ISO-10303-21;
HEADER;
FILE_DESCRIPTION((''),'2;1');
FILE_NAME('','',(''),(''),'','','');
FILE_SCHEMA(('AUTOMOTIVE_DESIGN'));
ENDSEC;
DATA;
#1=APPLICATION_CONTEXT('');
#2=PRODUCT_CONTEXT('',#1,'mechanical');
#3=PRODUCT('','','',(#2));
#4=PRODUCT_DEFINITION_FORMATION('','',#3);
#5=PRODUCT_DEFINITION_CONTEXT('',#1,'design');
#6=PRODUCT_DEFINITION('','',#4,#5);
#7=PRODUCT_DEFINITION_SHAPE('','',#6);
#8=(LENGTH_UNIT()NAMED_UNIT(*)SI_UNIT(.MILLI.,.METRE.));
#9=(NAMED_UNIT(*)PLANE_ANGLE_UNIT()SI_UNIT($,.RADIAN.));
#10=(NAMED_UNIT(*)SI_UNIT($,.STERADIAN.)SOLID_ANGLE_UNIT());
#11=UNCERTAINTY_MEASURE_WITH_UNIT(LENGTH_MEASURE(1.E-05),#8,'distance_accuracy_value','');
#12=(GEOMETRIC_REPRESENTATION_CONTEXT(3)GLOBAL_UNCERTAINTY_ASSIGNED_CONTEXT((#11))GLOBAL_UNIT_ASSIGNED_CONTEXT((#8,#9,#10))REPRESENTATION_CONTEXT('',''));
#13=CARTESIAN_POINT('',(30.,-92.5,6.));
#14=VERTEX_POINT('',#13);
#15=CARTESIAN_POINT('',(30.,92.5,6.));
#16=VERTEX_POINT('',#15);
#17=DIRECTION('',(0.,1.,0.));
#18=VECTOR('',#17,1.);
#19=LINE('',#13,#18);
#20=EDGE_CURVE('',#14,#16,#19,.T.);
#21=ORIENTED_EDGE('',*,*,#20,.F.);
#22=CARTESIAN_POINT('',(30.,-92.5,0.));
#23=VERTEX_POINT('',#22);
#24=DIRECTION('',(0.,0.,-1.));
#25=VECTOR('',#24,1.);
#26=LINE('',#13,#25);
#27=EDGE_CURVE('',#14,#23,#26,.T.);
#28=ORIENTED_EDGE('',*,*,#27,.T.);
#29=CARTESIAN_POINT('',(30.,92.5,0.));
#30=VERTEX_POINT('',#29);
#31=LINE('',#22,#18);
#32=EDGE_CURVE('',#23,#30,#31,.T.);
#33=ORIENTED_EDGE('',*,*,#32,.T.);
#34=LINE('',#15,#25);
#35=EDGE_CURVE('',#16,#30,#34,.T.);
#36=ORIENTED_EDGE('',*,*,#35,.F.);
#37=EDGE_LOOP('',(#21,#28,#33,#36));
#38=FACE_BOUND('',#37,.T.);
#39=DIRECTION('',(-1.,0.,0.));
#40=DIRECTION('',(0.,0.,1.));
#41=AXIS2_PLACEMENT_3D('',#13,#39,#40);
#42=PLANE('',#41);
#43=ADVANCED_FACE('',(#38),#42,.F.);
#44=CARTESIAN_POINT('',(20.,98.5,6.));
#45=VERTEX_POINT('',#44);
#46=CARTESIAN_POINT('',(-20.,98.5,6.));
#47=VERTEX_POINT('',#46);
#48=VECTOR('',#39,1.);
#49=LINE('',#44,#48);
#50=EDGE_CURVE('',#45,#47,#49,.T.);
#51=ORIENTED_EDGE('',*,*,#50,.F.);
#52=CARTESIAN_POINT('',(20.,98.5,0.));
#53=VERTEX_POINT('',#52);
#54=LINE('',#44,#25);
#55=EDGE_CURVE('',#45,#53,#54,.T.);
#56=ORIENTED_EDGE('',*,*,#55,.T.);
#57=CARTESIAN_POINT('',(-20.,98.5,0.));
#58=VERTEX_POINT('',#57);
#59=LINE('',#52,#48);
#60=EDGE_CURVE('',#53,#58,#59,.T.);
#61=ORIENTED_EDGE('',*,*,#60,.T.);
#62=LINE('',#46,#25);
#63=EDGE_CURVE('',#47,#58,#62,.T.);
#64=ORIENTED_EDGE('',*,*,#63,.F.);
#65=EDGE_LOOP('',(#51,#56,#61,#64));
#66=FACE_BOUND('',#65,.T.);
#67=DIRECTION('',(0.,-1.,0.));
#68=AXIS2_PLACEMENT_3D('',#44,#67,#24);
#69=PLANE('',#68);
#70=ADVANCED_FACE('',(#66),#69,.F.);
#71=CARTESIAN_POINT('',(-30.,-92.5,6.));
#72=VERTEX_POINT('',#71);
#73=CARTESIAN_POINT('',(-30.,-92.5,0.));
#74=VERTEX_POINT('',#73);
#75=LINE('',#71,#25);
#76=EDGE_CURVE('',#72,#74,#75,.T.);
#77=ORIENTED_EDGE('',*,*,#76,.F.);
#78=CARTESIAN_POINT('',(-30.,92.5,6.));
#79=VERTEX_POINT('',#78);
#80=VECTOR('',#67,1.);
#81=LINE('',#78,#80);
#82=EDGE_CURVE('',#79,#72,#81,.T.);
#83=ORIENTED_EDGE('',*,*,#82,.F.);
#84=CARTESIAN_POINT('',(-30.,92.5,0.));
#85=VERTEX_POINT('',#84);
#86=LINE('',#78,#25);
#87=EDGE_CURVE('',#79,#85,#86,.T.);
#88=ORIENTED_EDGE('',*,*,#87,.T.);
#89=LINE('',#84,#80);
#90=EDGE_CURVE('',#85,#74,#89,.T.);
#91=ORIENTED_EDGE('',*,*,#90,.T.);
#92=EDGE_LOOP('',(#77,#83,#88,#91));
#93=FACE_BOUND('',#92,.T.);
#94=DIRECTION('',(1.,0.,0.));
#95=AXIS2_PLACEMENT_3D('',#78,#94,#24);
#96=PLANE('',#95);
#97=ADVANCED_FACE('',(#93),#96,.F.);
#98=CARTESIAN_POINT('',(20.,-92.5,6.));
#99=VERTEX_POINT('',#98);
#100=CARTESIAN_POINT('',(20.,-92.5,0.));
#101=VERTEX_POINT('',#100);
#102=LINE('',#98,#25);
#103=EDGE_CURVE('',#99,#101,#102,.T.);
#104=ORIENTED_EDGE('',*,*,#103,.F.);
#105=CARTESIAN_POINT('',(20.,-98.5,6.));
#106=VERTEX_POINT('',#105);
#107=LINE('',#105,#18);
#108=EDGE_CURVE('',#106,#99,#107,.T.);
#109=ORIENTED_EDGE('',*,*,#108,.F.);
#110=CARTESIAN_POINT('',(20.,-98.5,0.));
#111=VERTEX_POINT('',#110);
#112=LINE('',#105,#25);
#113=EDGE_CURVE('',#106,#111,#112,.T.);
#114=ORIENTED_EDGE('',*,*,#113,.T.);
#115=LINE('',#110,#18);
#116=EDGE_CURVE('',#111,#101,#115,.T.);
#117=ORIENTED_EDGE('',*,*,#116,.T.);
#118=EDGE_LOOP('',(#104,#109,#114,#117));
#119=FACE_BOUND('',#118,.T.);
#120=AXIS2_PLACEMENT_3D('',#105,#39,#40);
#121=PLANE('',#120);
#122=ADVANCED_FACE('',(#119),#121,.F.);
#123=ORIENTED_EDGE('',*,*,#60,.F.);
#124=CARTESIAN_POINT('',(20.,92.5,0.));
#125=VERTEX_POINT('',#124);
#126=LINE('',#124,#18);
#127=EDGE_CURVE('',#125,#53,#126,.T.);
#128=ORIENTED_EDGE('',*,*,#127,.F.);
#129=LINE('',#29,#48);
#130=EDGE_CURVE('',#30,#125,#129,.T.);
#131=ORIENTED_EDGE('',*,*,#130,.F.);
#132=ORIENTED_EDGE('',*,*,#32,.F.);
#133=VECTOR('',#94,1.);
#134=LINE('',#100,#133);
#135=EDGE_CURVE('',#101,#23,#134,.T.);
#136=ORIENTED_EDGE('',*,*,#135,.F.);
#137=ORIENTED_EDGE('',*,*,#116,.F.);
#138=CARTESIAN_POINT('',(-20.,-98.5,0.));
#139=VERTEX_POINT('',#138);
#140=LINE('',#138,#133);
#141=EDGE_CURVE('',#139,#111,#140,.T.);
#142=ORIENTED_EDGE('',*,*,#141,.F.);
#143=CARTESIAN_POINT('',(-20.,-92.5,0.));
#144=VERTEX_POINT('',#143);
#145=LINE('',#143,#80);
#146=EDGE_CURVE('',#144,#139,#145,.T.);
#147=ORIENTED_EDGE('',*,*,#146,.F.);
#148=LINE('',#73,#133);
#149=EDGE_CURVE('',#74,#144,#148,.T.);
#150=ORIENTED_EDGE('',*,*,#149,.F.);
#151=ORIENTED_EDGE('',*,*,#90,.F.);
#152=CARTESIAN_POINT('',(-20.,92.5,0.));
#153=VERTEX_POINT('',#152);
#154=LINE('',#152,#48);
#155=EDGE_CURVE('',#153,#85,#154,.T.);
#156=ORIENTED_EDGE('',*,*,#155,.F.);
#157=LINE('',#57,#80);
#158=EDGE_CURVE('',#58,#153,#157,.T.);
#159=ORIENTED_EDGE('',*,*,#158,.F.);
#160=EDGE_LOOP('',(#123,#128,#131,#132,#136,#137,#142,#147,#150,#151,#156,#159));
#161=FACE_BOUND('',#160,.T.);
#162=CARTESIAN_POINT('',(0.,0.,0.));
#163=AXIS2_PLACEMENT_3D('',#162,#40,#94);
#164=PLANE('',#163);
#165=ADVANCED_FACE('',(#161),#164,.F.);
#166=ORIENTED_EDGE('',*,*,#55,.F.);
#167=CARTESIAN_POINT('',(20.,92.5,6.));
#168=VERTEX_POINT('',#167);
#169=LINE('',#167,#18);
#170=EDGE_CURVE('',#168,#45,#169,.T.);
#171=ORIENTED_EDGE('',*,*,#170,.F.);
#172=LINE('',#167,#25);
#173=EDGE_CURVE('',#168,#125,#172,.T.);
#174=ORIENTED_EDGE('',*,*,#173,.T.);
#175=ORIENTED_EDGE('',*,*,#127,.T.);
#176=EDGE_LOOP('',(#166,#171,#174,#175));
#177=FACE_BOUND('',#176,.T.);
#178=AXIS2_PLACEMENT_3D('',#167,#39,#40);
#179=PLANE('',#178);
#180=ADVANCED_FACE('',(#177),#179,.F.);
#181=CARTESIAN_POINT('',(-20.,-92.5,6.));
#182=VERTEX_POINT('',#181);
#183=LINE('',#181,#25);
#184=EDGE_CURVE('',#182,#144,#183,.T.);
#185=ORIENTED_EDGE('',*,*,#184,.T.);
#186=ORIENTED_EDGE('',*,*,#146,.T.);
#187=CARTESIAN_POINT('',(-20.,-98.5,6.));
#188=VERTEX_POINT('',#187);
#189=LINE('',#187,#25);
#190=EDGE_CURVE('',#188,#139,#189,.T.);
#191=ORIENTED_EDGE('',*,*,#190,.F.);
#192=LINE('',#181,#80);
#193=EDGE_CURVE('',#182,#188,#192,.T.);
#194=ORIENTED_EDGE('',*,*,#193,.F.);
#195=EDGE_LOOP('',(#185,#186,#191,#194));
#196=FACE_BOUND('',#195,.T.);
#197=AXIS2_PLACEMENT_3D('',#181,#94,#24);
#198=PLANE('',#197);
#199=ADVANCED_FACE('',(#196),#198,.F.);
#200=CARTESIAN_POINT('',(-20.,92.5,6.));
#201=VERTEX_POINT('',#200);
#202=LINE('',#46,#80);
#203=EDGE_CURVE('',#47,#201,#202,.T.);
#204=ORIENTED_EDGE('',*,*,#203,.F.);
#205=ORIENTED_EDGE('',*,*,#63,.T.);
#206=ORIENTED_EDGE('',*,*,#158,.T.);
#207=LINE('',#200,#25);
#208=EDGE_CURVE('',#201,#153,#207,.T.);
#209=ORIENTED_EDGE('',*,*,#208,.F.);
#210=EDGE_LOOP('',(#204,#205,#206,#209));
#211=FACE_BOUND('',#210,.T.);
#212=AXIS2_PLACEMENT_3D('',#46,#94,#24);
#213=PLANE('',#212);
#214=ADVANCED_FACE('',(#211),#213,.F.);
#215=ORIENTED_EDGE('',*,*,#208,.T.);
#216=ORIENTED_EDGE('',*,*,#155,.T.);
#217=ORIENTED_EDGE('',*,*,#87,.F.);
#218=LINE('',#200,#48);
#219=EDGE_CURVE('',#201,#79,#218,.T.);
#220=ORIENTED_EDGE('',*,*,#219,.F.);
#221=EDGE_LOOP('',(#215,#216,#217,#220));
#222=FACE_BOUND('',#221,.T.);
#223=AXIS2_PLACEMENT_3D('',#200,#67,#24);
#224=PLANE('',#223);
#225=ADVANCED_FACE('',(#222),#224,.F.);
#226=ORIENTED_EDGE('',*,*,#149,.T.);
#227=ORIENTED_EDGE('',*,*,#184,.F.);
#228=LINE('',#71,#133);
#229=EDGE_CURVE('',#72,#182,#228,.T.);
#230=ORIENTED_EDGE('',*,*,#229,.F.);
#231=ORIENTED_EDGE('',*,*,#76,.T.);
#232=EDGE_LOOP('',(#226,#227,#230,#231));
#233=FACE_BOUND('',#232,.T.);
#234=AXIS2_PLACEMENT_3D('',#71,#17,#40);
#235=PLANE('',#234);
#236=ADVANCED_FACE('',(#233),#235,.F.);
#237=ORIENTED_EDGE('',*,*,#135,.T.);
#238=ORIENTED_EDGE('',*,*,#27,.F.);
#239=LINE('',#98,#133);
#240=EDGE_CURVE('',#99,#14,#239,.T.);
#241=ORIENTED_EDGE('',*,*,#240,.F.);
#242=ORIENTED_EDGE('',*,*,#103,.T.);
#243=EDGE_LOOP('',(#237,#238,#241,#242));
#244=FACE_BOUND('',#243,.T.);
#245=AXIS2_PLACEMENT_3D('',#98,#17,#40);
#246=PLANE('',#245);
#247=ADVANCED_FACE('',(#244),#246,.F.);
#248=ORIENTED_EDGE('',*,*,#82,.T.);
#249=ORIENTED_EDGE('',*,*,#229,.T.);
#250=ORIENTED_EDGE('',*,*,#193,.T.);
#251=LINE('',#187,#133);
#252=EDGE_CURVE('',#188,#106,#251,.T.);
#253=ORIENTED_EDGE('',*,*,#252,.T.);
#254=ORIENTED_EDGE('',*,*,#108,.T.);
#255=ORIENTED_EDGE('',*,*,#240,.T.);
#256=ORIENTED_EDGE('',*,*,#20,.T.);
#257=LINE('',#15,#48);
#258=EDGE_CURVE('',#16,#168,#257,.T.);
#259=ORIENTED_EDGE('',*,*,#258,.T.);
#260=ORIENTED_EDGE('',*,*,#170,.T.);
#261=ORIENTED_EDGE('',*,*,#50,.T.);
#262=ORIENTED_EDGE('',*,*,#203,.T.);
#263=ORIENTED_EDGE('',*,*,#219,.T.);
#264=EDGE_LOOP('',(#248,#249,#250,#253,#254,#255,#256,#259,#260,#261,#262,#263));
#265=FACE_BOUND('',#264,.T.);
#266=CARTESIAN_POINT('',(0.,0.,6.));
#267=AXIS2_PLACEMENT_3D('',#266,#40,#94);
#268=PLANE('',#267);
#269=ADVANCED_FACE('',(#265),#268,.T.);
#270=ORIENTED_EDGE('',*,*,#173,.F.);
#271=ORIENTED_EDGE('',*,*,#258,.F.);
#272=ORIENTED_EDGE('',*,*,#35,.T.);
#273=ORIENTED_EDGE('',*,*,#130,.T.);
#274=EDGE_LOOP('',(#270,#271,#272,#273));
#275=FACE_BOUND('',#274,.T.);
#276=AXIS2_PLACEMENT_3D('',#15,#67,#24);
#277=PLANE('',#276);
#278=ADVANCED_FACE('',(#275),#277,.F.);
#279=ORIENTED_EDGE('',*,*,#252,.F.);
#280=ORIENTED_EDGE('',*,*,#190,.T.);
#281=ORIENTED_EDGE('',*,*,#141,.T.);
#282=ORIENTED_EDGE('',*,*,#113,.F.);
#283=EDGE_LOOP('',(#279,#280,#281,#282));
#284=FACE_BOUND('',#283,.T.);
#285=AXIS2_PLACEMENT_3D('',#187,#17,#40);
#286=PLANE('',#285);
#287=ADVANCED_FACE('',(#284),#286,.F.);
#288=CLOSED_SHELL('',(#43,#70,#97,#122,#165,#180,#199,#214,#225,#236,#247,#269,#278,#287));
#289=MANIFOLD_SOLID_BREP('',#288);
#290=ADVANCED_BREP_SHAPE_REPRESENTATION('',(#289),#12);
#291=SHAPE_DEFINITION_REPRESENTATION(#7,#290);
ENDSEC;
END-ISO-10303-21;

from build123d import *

# Parameters (mm, degrees)
BOSS_EXTRUDE1_DEPTH = 6


with BuildPart() as part:
    # Sketch1 → Boss-Extrude1 (new body)
    with BuildSketch(Plane.XY):
        Polygon((-30, 92.5), (-30, -92.5), (-20, -92.5), (-20, -98.5), (20, -98.5), (20, -92.5), (30, -92.5), (30, 92.5), (20, 92.5), (20, 98.5), (-20, 98.5), (-20, 92.5), align=None)
    extrude(amount=BOSS_EXTRUDE1_DEPTH)


solid = part.part
